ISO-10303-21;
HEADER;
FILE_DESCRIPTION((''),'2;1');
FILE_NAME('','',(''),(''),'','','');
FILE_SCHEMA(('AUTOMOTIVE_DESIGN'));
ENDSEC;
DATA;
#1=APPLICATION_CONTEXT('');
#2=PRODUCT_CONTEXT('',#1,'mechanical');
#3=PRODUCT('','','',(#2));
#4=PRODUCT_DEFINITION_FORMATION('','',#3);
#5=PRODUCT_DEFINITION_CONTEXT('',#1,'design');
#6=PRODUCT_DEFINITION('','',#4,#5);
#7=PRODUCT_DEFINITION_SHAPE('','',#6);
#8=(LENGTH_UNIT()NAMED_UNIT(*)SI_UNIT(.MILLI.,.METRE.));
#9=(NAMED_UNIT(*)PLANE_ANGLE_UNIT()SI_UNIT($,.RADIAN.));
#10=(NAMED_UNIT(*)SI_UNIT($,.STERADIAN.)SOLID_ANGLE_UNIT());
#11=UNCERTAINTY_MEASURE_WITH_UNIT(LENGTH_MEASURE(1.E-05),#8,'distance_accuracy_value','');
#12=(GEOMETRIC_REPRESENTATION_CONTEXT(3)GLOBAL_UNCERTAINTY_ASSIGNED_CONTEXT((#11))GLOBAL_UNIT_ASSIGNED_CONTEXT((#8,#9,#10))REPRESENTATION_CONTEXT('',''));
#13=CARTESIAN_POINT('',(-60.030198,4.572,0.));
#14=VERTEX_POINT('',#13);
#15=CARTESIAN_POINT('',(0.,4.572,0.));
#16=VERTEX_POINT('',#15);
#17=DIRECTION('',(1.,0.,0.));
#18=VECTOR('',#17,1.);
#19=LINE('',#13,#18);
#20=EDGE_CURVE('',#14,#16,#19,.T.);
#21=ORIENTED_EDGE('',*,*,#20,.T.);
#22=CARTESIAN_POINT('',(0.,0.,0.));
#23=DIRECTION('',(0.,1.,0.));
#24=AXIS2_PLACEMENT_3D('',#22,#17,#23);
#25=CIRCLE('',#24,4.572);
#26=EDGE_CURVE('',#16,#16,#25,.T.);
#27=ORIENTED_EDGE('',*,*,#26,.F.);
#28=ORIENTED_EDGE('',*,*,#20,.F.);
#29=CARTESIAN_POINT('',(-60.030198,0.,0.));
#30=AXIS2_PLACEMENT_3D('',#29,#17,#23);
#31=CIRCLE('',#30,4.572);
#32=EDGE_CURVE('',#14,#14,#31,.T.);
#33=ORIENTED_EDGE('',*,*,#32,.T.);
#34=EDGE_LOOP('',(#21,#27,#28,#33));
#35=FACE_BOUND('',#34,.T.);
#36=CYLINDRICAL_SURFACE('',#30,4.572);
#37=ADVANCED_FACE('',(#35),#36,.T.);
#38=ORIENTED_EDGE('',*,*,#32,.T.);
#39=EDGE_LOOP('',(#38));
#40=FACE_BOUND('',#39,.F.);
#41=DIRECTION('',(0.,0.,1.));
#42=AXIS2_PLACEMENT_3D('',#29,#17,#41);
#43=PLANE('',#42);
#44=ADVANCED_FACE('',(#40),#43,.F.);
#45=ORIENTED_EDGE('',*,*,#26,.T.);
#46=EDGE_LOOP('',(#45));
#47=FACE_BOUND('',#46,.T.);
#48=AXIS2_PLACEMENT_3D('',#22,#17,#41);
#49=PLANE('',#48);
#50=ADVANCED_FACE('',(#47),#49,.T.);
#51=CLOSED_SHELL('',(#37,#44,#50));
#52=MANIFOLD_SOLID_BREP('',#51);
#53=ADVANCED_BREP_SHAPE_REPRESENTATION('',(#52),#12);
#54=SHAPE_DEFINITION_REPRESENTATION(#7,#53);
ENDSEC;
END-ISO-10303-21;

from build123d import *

# Parameters (mm, degrees)
F1_R = 4.572


with BuildPart() as f2:
    # F2: sweep along a path in F0
    with BuildLine(Plane.XY) as f2_path:
        Line((-60.030198, 0), (0, 0))
    # F1 (on Right) → F2 (sweep)
    with BuildSketch(Plane.YZ):
        Circle(F1_R)
    sweep(path=f2_path.line)


solid = f2.part
